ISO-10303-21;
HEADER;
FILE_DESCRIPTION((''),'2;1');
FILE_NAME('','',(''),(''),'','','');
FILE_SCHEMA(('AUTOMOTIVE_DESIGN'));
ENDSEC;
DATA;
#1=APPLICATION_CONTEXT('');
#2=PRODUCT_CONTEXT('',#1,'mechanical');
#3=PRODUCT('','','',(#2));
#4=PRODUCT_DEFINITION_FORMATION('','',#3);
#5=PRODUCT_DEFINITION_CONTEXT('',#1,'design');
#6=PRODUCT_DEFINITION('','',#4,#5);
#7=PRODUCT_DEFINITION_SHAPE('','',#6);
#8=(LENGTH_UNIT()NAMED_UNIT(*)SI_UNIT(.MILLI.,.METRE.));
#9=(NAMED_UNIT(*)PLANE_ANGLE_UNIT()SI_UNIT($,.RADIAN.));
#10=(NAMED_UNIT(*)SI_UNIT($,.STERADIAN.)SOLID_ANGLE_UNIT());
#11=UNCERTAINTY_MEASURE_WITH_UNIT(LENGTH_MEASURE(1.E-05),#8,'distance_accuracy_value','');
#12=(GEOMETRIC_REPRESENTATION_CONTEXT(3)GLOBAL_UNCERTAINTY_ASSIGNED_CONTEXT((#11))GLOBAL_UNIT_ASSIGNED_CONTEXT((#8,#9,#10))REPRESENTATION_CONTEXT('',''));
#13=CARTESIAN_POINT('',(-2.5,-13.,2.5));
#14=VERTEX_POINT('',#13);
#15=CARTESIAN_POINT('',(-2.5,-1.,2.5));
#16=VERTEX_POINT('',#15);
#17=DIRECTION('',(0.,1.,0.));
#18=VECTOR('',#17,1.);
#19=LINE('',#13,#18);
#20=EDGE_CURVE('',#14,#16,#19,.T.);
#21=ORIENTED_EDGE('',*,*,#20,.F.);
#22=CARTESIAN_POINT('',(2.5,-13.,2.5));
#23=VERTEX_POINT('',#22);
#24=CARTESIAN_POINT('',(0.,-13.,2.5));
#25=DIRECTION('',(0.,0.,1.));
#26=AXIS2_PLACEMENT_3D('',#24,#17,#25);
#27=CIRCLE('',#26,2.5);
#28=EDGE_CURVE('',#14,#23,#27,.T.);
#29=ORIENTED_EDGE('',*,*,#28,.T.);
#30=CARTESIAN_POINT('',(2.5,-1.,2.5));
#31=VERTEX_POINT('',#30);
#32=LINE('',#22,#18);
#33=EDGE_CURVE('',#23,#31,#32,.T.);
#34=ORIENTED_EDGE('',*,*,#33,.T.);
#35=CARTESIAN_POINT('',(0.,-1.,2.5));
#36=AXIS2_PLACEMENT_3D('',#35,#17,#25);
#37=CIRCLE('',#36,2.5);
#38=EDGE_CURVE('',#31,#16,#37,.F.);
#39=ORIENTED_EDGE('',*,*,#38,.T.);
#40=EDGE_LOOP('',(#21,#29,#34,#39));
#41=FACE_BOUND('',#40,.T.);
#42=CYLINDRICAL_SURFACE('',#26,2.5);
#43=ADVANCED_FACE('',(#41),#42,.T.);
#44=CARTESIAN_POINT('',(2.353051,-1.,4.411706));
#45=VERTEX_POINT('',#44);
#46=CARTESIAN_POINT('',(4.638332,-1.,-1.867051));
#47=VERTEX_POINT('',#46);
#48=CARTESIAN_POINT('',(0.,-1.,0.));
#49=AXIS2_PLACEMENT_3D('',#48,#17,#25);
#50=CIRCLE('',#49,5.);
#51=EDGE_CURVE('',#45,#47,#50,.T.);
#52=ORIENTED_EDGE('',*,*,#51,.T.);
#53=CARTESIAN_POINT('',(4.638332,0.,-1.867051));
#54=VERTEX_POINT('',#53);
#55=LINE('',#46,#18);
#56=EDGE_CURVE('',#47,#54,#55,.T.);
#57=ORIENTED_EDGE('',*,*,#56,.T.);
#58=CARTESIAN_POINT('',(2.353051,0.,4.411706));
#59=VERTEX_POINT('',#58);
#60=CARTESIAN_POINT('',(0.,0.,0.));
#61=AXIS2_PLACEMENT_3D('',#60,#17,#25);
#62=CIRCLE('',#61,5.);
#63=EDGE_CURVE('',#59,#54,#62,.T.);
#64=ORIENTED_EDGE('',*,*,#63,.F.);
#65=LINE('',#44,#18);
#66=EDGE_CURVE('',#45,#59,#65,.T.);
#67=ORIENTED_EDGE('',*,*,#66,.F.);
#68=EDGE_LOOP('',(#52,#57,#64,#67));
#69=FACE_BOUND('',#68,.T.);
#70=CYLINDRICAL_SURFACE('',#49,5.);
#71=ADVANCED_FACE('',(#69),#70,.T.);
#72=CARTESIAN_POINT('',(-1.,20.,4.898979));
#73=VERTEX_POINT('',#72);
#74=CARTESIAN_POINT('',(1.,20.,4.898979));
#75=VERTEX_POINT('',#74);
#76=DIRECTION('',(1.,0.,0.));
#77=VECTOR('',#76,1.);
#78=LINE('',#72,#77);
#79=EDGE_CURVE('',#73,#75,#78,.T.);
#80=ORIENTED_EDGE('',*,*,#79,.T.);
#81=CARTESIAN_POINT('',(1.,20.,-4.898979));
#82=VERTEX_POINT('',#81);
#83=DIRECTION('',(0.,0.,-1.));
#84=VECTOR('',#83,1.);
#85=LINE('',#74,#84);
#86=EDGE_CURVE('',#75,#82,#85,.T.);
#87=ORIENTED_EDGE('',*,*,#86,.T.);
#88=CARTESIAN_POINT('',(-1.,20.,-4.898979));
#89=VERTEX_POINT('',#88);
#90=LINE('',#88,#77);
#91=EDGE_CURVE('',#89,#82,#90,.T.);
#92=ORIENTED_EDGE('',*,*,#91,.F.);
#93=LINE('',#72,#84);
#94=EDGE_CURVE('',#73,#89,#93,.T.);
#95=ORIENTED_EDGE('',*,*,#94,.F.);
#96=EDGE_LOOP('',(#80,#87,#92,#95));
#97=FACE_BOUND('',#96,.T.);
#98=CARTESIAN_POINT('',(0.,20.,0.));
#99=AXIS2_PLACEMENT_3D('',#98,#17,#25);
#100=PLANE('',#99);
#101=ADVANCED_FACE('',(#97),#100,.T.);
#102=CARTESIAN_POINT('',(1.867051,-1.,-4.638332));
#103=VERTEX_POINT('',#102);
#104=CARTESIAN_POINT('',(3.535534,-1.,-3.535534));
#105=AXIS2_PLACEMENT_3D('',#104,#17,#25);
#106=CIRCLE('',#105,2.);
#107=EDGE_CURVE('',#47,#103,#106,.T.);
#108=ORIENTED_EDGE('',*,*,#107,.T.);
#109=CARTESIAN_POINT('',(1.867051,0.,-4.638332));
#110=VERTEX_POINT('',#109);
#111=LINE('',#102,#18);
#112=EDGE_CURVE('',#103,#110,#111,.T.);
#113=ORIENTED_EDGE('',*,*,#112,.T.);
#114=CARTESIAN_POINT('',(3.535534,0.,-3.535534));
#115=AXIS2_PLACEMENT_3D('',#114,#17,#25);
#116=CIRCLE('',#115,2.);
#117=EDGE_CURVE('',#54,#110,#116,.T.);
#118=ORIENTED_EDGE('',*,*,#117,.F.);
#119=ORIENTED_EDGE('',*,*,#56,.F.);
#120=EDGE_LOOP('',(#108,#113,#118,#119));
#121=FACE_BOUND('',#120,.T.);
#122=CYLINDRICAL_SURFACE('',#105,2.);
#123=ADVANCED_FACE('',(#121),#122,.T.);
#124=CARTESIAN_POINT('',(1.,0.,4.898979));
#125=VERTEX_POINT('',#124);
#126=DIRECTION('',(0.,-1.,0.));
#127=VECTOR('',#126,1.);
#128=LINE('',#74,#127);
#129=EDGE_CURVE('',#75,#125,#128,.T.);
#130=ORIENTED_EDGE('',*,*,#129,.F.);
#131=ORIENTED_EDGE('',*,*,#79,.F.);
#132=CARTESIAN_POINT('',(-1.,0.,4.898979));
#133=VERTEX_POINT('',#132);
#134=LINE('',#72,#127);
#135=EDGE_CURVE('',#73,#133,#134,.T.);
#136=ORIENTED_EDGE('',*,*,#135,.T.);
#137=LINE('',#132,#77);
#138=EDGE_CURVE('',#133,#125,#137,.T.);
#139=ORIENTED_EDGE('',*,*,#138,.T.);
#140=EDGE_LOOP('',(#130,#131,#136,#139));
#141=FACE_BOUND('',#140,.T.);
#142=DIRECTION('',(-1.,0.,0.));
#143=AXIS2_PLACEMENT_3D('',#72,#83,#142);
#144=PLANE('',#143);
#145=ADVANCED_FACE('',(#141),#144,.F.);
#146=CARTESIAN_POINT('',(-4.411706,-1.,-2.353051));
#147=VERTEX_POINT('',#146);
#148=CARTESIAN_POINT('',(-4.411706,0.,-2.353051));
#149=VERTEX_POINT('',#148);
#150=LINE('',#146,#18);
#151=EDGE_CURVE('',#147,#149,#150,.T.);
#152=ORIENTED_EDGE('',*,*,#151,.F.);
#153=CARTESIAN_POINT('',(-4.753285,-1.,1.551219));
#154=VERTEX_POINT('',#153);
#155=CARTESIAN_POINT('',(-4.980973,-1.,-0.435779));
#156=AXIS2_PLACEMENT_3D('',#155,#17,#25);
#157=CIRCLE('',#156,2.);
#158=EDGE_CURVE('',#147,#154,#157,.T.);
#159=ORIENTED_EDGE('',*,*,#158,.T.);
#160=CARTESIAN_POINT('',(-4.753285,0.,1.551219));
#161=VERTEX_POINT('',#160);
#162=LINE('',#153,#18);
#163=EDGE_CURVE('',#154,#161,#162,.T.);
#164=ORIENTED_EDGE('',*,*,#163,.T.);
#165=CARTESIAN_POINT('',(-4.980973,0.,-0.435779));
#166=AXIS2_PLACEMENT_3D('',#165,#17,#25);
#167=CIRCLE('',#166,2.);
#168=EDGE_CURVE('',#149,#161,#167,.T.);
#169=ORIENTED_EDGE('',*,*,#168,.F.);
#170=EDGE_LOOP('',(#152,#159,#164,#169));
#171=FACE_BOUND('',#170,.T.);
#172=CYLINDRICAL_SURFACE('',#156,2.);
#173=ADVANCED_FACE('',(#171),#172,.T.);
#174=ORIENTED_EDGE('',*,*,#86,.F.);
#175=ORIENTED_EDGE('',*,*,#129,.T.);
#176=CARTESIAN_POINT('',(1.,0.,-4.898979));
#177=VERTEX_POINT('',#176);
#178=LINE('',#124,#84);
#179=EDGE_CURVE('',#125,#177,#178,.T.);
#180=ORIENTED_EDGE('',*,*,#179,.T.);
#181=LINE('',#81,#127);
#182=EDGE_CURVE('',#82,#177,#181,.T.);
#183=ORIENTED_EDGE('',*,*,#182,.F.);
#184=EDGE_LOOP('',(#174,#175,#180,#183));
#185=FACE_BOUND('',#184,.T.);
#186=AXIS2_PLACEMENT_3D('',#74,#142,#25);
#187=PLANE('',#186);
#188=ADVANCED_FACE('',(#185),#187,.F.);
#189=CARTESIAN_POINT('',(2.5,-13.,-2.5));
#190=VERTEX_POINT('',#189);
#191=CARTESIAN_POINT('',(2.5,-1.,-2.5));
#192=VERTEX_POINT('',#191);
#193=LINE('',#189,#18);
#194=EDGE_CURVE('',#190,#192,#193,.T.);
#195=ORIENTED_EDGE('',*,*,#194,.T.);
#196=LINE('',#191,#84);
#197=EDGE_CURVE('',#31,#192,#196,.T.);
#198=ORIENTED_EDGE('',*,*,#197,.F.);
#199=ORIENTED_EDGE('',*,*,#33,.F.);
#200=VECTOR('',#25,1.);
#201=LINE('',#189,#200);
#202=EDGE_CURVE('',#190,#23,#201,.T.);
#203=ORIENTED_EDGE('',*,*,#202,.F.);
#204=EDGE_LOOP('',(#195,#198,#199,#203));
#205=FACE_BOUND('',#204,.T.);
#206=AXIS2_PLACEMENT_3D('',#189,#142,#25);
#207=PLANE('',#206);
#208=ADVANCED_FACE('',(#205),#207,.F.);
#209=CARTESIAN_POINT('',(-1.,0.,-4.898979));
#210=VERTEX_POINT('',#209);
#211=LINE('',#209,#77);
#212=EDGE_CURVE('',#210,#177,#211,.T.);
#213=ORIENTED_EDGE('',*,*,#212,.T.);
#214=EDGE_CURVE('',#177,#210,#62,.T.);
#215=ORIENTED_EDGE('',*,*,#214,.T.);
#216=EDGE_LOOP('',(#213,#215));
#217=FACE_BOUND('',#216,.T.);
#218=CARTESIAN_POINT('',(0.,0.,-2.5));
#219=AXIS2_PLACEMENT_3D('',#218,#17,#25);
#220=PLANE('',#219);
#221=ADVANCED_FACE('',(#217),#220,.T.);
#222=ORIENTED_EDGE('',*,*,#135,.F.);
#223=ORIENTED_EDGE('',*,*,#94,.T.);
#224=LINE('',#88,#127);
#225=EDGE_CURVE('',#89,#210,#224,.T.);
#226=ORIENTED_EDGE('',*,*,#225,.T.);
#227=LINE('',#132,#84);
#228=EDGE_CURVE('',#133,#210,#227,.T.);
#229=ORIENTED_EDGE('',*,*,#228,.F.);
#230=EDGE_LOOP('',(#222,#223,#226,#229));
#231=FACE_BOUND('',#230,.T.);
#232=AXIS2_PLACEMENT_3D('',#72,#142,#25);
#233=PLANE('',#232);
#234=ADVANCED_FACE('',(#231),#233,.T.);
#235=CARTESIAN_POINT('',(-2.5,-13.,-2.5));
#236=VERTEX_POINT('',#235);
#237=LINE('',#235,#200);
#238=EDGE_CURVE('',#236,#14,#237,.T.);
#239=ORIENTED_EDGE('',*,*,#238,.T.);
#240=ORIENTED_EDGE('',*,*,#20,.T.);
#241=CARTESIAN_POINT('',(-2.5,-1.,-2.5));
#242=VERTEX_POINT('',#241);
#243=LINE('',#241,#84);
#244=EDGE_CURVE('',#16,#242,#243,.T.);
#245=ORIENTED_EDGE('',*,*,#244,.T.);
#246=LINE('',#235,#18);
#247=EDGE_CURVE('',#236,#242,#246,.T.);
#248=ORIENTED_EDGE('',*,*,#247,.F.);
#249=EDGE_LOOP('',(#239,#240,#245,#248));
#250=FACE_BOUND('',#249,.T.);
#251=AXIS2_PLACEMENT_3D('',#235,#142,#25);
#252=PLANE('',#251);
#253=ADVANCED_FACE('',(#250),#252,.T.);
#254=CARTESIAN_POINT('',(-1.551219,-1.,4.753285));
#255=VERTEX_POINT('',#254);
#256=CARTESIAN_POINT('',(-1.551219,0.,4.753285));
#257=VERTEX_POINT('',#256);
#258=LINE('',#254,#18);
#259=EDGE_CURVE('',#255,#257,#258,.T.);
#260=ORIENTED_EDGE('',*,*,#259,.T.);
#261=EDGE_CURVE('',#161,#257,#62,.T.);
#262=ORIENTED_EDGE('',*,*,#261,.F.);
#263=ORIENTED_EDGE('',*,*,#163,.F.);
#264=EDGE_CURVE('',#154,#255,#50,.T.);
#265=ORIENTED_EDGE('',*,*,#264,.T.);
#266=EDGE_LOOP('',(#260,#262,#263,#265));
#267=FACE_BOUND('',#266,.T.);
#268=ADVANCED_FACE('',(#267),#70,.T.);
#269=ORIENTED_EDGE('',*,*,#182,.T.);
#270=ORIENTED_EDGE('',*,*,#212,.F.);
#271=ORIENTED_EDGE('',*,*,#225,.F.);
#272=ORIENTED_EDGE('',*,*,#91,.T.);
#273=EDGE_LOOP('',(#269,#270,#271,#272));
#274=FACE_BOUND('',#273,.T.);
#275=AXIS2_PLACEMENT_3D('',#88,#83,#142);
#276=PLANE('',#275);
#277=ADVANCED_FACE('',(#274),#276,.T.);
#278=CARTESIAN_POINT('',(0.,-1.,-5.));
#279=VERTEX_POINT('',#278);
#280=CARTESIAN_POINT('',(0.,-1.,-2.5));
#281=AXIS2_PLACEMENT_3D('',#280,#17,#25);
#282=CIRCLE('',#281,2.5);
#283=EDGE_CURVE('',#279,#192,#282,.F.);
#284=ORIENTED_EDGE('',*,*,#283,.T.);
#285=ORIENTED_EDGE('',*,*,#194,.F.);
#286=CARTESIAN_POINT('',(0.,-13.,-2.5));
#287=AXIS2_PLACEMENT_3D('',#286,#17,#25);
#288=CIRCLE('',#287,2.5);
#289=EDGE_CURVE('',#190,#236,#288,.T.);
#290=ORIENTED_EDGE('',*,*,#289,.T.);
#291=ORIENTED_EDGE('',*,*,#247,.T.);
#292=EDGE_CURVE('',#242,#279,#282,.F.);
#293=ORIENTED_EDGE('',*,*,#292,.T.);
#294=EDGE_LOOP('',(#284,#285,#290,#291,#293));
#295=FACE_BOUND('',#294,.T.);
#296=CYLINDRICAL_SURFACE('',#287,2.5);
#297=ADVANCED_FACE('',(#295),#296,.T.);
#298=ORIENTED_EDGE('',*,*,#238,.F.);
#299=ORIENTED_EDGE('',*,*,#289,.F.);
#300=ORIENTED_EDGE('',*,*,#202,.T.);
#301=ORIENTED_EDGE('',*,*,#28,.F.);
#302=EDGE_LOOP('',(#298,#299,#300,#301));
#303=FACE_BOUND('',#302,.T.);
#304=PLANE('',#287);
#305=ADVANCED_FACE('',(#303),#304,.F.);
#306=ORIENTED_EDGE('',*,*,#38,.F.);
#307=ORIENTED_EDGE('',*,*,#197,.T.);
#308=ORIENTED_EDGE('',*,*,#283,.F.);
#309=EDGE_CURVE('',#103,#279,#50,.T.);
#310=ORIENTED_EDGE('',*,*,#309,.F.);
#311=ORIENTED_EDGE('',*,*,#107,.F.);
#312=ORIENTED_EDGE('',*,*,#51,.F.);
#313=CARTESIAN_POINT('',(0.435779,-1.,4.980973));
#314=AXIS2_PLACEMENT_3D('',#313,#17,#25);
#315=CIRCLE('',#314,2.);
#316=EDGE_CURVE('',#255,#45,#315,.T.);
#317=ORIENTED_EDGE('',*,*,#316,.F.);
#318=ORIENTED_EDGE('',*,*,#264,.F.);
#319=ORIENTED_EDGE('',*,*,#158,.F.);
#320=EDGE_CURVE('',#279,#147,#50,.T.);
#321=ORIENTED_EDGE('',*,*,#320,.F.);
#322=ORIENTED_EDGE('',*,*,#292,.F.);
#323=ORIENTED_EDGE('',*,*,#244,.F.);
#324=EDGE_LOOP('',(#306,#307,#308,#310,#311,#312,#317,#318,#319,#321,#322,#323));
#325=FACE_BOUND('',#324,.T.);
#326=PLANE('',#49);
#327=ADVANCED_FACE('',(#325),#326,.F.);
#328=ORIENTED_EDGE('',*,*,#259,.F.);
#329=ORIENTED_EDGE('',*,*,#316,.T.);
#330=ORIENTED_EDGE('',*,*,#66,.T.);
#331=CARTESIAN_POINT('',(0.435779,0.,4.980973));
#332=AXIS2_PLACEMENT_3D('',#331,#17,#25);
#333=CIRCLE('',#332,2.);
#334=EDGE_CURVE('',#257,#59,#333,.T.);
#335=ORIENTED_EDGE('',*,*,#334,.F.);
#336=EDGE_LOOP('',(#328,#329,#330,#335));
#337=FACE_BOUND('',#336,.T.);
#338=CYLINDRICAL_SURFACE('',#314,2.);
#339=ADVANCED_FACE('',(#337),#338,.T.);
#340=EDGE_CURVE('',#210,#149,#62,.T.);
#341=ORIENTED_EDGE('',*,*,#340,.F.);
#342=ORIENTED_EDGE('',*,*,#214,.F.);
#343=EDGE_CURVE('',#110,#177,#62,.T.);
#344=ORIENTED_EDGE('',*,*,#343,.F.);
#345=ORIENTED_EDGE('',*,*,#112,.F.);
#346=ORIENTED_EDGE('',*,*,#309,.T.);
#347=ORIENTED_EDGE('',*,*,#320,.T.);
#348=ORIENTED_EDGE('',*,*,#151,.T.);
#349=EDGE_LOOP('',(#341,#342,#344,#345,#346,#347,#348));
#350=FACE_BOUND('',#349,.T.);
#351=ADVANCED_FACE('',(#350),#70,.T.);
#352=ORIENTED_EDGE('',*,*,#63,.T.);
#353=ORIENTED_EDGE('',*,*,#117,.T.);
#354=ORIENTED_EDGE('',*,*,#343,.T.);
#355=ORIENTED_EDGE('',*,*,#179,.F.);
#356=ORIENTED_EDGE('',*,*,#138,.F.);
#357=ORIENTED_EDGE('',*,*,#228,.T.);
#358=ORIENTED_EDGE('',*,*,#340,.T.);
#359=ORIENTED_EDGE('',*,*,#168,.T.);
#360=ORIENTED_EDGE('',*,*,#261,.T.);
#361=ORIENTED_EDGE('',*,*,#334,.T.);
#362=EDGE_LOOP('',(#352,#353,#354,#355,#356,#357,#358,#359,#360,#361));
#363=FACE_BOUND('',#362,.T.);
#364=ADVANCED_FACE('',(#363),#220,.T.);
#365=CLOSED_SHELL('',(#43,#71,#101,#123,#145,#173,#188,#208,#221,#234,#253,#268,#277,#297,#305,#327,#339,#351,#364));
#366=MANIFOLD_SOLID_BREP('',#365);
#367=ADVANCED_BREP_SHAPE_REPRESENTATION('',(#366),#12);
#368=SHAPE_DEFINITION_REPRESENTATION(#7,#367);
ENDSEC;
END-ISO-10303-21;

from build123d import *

# Parameters (mm, degrees)
BOSS_EXTRUDE1_DEPTH = 13
BOSS_EXTRUDE2_DEPTH = 1
SKETCH1_5_W         = 2
SKETCH1_5_H         = 9.797958972
BOSS_EXTRUDE3_DEPTH = 20


with BuildPart() as part:
    # Sketch1 → Boss-Extrude1 (new body)
    with BuildSketch(Plane(origin=(0, 0, 0), x_dir=(1, 0, 0), z_dir=(0, 1, 0))):
        with BuildLine():
            Line((2.5, 2.5), (2.5, -2.5))
            ThreePointArc((2.5, -2.5), (0, -5), (-2.5, -2.5))
            Line((-2.5, -2.5), (-2.5, 2.5))
            ThreePointArc((-2.5, 2.5), (0, 5), (2.5, 2.5))
        make_face()
    extrude(amount=-BOSS_EXTRUDE1_DEPTH)

    # Sketch1<3> → Boss-Extrude2 (add)
    with BuildSketch(Plane(origin=(0, 0, 0), x_dir=(1, 0, 0), z_dir=(0, 1, 0))):
        with BuildLine():
            ThreePointArc((1.867050547, 4.63833184), (-1.710100717, 4.698463104), (-4.411705933, 2.353051372))
            ThreePointArc((-4.411705933, 2.353051372), (-6.973362887, 0.610090199), (-4.75328529, -1.551218539))
            ThreePointArc((-4.75328529, -1.551218539), (-3.535533906, -3.535533906), (-1.551218539, -4.75328529))
            ThreePointArc((-1.551218539, -4.75328529), (0.610090199, -6.973362887), (2.353051372, -4.411705933))
            ThreePointArc((2.353051372, -4.411705933), (4.698463104, -1.710100717), (4.63833184, 1.867050547))
            ThreePointArc((4.63833184, 1.867050547), (4.949747468, 4.949747468), (1.867050547, 4.63833184))
        make_face()
    extrude(amount=-BOSS_EXTRUDE2_DEPTH)

    # Sketch1<5> → Boss-Extrude3 (add)
    with BuildSketch(Plane(origin=(0, 0, 0), x_dir=(1, 0, 0), z_dir=(0, 1, 0))):
        Rectangle(SKETCH1_5_W, SKETCH1_5_H)
    extrude(amount=BOSS_EXTRUDE3_DEPTH)


solid = part.part
